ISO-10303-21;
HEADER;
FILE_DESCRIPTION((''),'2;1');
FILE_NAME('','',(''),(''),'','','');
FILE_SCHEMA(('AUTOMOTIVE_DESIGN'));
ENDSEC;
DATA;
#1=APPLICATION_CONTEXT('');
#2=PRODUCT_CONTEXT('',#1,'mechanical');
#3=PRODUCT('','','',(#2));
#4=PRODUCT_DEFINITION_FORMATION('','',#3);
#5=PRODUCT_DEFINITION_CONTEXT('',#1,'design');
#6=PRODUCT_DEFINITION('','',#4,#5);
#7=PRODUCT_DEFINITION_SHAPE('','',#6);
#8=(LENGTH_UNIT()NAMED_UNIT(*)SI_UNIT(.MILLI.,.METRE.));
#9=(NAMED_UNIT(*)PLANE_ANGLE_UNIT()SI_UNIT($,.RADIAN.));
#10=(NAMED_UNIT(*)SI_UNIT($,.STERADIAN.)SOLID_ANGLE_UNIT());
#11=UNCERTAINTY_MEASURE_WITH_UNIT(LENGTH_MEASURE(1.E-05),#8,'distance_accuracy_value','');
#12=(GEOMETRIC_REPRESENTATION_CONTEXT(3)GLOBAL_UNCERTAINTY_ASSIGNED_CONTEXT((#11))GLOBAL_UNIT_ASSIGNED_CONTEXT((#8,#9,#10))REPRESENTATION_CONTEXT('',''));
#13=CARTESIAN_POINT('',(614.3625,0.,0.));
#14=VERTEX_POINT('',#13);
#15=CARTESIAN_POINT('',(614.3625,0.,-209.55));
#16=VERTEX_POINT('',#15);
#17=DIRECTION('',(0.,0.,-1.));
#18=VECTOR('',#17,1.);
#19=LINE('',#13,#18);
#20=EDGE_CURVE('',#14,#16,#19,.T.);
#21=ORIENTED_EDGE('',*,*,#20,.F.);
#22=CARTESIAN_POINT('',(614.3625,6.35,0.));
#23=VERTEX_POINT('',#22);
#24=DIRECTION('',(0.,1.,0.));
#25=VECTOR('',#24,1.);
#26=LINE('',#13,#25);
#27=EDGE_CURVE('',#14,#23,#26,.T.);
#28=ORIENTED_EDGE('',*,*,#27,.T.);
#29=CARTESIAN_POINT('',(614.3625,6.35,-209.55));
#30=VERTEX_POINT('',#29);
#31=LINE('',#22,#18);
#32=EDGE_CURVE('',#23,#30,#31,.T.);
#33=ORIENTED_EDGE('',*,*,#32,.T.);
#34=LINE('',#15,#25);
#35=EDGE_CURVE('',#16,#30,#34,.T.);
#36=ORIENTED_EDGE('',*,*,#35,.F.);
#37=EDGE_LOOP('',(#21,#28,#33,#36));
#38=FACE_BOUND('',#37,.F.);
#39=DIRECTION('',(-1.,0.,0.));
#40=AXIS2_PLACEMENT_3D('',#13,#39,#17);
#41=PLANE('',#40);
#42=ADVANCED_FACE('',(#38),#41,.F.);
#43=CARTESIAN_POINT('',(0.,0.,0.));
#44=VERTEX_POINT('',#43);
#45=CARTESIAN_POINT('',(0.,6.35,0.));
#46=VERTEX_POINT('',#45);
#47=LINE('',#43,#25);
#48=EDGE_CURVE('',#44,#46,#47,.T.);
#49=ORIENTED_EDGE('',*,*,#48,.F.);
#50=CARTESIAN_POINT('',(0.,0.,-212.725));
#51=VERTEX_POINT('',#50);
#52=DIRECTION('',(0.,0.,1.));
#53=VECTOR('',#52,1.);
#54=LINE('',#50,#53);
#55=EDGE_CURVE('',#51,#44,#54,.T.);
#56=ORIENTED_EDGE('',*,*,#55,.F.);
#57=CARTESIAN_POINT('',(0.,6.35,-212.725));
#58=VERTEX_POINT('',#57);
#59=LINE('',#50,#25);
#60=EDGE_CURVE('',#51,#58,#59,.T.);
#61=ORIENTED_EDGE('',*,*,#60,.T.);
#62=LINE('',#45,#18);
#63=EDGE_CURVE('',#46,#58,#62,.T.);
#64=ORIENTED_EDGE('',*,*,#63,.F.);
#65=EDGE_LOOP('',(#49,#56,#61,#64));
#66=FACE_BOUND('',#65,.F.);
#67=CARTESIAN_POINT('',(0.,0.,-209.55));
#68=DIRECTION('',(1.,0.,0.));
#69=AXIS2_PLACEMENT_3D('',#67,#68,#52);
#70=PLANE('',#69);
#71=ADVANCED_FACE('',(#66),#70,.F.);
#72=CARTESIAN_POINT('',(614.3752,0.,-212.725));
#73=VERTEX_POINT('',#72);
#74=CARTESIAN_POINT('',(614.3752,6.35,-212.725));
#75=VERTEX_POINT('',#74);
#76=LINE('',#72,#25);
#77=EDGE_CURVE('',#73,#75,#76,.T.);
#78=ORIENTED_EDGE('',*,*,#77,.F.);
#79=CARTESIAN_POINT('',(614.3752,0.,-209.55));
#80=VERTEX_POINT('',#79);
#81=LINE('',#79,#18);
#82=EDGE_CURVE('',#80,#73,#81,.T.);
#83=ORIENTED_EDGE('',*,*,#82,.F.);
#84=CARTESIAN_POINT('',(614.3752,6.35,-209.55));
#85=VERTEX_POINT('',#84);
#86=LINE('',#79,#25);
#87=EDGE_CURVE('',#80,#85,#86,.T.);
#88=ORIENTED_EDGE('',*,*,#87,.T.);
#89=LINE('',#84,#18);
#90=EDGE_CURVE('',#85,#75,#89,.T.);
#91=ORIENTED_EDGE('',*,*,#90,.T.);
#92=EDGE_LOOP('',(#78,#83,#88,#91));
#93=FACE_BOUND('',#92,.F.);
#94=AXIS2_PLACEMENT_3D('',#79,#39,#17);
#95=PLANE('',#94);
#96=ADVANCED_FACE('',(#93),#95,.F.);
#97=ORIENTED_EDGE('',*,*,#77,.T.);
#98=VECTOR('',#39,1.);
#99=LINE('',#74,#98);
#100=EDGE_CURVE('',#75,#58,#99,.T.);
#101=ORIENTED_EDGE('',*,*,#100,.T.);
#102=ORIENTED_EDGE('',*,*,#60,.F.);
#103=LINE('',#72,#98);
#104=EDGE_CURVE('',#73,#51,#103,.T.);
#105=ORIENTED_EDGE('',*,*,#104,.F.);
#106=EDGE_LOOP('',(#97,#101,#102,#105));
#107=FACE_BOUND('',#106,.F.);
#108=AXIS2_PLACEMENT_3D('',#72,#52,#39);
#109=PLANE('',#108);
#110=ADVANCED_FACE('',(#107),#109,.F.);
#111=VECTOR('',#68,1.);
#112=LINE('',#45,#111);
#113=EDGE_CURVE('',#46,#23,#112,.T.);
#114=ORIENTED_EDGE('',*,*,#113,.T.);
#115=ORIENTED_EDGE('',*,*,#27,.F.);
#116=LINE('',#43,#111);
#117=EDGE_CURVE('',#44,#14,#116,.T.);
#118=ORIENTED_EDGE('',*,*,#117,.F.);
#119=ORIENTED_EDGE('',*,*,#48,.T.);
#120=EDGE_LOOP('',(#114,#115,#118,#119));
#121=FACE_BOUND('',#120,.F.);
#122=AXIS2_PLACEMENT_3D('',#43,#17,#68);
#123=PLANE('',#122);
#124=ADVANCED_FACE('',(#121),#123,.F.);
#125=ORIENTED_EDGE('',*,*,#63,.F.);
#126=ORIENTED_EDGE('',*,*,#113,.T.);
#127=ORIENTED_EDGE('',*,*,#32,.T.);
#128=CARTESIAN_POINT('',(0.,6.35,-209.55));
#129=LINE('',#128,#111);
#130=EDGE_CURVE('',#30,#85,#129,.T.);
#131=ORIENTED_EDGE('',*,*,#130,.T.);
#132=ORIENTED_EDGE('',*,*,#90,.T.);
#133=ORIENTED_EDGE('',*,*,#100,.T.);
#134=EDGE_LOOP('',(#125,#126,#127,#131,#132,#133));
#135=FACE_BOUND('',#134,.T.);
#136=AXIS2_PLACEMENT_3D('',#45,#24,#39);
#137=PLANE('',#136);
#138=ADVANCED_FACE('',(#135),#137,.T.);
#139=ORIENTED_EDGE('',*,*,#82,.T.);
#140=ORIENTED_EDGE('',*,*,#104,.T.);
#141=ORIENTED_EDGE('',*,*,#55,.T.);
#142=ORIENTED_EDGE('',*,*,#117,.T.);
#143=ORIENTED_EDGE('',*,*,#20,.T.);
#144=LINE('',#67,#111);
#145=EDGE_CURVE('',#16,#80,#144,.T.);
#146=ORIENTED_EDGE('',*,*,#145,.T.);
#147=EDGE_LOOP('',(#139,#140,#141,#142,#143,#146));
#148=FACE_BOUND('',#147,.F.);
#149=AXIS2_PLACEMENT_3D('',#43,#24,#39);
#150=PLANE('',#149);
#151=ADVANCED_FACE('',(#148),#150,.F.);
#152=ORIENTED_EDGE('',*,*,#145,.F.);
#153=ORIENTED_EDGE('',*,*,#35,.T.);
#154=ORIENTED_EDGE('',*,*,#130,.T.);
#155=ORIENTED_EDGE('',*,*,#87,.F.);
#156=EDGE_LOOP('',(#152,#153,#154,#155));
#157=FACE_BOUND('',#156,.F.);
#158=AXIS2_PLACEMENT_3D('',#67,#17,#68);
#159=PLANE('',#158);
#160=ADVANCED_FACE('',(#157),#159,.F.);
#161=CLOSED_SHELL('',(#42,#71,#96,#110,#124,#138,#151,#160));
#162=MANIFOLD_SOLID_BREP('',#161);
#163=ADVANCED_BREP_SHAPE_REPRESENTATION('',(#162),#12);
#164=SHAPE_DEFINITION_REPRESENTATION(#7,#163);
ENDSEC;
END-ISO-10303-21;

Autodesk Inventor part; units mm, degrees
ref_plane "YZ Plane" through (0, 0, 0) normal (1, 0, 0) x (0, 1, 0)
ref_plane "XZ Plane" through (0, 0, 0) normal (0, 1, 0) x (-1, 0, 0)
ref_plane "XY Plane" through (0, 0, 0) normal (0, 0, 1) x (1, 0, 0)
sketch "Sketch1" plane through (0, 0, 0) normal (0, 1, 0) x (-1, 0, 0)
  line L0 (0, 0) -> (-614.3625, 0)
  line L1 (-614.3625, 0) -> (-614.3625, -209.55)
  line L2 (-614.3625, -209.55) -> (0, -209.55)
  line L3 (0, -209.55) -> (0, 0)
  dimension "d0" = 614.3625
  dimension "d1" = 209.55
extrude "Extrusion1" add sketch "Sketch1" along normal blind 6.35
sketch "Sketch2" plane through (0, 0, 0) normal (0, 1, 0) x (-1, 0, 0)
  line L0 (0, -209.55) -> (0, 0) projected
  line L1 (0, -209.55) -> (-614.3752, -209.55)
  line L2 (-614.3752, -209.55) -> (-614.3752, -212.725)
  line L3 (-614.3752, -212.725) -> (0, -212.725)
  line L4 (0, -212.725) -> (0, -209.55)
  dimension "d4" = 614.3752
  dimension "d5" = 3.175
extrude "Extrusion2" add sketch "Sketch2" along normal blind 6.35
sketch "Sketch3" plane through (0, 6.35, 0) normal (0, 1, 0) x (1, 0, 0)
  point P0 (0, 0)
properties part number "TopOfTheTopOfTheJukebox_Ocampo"
